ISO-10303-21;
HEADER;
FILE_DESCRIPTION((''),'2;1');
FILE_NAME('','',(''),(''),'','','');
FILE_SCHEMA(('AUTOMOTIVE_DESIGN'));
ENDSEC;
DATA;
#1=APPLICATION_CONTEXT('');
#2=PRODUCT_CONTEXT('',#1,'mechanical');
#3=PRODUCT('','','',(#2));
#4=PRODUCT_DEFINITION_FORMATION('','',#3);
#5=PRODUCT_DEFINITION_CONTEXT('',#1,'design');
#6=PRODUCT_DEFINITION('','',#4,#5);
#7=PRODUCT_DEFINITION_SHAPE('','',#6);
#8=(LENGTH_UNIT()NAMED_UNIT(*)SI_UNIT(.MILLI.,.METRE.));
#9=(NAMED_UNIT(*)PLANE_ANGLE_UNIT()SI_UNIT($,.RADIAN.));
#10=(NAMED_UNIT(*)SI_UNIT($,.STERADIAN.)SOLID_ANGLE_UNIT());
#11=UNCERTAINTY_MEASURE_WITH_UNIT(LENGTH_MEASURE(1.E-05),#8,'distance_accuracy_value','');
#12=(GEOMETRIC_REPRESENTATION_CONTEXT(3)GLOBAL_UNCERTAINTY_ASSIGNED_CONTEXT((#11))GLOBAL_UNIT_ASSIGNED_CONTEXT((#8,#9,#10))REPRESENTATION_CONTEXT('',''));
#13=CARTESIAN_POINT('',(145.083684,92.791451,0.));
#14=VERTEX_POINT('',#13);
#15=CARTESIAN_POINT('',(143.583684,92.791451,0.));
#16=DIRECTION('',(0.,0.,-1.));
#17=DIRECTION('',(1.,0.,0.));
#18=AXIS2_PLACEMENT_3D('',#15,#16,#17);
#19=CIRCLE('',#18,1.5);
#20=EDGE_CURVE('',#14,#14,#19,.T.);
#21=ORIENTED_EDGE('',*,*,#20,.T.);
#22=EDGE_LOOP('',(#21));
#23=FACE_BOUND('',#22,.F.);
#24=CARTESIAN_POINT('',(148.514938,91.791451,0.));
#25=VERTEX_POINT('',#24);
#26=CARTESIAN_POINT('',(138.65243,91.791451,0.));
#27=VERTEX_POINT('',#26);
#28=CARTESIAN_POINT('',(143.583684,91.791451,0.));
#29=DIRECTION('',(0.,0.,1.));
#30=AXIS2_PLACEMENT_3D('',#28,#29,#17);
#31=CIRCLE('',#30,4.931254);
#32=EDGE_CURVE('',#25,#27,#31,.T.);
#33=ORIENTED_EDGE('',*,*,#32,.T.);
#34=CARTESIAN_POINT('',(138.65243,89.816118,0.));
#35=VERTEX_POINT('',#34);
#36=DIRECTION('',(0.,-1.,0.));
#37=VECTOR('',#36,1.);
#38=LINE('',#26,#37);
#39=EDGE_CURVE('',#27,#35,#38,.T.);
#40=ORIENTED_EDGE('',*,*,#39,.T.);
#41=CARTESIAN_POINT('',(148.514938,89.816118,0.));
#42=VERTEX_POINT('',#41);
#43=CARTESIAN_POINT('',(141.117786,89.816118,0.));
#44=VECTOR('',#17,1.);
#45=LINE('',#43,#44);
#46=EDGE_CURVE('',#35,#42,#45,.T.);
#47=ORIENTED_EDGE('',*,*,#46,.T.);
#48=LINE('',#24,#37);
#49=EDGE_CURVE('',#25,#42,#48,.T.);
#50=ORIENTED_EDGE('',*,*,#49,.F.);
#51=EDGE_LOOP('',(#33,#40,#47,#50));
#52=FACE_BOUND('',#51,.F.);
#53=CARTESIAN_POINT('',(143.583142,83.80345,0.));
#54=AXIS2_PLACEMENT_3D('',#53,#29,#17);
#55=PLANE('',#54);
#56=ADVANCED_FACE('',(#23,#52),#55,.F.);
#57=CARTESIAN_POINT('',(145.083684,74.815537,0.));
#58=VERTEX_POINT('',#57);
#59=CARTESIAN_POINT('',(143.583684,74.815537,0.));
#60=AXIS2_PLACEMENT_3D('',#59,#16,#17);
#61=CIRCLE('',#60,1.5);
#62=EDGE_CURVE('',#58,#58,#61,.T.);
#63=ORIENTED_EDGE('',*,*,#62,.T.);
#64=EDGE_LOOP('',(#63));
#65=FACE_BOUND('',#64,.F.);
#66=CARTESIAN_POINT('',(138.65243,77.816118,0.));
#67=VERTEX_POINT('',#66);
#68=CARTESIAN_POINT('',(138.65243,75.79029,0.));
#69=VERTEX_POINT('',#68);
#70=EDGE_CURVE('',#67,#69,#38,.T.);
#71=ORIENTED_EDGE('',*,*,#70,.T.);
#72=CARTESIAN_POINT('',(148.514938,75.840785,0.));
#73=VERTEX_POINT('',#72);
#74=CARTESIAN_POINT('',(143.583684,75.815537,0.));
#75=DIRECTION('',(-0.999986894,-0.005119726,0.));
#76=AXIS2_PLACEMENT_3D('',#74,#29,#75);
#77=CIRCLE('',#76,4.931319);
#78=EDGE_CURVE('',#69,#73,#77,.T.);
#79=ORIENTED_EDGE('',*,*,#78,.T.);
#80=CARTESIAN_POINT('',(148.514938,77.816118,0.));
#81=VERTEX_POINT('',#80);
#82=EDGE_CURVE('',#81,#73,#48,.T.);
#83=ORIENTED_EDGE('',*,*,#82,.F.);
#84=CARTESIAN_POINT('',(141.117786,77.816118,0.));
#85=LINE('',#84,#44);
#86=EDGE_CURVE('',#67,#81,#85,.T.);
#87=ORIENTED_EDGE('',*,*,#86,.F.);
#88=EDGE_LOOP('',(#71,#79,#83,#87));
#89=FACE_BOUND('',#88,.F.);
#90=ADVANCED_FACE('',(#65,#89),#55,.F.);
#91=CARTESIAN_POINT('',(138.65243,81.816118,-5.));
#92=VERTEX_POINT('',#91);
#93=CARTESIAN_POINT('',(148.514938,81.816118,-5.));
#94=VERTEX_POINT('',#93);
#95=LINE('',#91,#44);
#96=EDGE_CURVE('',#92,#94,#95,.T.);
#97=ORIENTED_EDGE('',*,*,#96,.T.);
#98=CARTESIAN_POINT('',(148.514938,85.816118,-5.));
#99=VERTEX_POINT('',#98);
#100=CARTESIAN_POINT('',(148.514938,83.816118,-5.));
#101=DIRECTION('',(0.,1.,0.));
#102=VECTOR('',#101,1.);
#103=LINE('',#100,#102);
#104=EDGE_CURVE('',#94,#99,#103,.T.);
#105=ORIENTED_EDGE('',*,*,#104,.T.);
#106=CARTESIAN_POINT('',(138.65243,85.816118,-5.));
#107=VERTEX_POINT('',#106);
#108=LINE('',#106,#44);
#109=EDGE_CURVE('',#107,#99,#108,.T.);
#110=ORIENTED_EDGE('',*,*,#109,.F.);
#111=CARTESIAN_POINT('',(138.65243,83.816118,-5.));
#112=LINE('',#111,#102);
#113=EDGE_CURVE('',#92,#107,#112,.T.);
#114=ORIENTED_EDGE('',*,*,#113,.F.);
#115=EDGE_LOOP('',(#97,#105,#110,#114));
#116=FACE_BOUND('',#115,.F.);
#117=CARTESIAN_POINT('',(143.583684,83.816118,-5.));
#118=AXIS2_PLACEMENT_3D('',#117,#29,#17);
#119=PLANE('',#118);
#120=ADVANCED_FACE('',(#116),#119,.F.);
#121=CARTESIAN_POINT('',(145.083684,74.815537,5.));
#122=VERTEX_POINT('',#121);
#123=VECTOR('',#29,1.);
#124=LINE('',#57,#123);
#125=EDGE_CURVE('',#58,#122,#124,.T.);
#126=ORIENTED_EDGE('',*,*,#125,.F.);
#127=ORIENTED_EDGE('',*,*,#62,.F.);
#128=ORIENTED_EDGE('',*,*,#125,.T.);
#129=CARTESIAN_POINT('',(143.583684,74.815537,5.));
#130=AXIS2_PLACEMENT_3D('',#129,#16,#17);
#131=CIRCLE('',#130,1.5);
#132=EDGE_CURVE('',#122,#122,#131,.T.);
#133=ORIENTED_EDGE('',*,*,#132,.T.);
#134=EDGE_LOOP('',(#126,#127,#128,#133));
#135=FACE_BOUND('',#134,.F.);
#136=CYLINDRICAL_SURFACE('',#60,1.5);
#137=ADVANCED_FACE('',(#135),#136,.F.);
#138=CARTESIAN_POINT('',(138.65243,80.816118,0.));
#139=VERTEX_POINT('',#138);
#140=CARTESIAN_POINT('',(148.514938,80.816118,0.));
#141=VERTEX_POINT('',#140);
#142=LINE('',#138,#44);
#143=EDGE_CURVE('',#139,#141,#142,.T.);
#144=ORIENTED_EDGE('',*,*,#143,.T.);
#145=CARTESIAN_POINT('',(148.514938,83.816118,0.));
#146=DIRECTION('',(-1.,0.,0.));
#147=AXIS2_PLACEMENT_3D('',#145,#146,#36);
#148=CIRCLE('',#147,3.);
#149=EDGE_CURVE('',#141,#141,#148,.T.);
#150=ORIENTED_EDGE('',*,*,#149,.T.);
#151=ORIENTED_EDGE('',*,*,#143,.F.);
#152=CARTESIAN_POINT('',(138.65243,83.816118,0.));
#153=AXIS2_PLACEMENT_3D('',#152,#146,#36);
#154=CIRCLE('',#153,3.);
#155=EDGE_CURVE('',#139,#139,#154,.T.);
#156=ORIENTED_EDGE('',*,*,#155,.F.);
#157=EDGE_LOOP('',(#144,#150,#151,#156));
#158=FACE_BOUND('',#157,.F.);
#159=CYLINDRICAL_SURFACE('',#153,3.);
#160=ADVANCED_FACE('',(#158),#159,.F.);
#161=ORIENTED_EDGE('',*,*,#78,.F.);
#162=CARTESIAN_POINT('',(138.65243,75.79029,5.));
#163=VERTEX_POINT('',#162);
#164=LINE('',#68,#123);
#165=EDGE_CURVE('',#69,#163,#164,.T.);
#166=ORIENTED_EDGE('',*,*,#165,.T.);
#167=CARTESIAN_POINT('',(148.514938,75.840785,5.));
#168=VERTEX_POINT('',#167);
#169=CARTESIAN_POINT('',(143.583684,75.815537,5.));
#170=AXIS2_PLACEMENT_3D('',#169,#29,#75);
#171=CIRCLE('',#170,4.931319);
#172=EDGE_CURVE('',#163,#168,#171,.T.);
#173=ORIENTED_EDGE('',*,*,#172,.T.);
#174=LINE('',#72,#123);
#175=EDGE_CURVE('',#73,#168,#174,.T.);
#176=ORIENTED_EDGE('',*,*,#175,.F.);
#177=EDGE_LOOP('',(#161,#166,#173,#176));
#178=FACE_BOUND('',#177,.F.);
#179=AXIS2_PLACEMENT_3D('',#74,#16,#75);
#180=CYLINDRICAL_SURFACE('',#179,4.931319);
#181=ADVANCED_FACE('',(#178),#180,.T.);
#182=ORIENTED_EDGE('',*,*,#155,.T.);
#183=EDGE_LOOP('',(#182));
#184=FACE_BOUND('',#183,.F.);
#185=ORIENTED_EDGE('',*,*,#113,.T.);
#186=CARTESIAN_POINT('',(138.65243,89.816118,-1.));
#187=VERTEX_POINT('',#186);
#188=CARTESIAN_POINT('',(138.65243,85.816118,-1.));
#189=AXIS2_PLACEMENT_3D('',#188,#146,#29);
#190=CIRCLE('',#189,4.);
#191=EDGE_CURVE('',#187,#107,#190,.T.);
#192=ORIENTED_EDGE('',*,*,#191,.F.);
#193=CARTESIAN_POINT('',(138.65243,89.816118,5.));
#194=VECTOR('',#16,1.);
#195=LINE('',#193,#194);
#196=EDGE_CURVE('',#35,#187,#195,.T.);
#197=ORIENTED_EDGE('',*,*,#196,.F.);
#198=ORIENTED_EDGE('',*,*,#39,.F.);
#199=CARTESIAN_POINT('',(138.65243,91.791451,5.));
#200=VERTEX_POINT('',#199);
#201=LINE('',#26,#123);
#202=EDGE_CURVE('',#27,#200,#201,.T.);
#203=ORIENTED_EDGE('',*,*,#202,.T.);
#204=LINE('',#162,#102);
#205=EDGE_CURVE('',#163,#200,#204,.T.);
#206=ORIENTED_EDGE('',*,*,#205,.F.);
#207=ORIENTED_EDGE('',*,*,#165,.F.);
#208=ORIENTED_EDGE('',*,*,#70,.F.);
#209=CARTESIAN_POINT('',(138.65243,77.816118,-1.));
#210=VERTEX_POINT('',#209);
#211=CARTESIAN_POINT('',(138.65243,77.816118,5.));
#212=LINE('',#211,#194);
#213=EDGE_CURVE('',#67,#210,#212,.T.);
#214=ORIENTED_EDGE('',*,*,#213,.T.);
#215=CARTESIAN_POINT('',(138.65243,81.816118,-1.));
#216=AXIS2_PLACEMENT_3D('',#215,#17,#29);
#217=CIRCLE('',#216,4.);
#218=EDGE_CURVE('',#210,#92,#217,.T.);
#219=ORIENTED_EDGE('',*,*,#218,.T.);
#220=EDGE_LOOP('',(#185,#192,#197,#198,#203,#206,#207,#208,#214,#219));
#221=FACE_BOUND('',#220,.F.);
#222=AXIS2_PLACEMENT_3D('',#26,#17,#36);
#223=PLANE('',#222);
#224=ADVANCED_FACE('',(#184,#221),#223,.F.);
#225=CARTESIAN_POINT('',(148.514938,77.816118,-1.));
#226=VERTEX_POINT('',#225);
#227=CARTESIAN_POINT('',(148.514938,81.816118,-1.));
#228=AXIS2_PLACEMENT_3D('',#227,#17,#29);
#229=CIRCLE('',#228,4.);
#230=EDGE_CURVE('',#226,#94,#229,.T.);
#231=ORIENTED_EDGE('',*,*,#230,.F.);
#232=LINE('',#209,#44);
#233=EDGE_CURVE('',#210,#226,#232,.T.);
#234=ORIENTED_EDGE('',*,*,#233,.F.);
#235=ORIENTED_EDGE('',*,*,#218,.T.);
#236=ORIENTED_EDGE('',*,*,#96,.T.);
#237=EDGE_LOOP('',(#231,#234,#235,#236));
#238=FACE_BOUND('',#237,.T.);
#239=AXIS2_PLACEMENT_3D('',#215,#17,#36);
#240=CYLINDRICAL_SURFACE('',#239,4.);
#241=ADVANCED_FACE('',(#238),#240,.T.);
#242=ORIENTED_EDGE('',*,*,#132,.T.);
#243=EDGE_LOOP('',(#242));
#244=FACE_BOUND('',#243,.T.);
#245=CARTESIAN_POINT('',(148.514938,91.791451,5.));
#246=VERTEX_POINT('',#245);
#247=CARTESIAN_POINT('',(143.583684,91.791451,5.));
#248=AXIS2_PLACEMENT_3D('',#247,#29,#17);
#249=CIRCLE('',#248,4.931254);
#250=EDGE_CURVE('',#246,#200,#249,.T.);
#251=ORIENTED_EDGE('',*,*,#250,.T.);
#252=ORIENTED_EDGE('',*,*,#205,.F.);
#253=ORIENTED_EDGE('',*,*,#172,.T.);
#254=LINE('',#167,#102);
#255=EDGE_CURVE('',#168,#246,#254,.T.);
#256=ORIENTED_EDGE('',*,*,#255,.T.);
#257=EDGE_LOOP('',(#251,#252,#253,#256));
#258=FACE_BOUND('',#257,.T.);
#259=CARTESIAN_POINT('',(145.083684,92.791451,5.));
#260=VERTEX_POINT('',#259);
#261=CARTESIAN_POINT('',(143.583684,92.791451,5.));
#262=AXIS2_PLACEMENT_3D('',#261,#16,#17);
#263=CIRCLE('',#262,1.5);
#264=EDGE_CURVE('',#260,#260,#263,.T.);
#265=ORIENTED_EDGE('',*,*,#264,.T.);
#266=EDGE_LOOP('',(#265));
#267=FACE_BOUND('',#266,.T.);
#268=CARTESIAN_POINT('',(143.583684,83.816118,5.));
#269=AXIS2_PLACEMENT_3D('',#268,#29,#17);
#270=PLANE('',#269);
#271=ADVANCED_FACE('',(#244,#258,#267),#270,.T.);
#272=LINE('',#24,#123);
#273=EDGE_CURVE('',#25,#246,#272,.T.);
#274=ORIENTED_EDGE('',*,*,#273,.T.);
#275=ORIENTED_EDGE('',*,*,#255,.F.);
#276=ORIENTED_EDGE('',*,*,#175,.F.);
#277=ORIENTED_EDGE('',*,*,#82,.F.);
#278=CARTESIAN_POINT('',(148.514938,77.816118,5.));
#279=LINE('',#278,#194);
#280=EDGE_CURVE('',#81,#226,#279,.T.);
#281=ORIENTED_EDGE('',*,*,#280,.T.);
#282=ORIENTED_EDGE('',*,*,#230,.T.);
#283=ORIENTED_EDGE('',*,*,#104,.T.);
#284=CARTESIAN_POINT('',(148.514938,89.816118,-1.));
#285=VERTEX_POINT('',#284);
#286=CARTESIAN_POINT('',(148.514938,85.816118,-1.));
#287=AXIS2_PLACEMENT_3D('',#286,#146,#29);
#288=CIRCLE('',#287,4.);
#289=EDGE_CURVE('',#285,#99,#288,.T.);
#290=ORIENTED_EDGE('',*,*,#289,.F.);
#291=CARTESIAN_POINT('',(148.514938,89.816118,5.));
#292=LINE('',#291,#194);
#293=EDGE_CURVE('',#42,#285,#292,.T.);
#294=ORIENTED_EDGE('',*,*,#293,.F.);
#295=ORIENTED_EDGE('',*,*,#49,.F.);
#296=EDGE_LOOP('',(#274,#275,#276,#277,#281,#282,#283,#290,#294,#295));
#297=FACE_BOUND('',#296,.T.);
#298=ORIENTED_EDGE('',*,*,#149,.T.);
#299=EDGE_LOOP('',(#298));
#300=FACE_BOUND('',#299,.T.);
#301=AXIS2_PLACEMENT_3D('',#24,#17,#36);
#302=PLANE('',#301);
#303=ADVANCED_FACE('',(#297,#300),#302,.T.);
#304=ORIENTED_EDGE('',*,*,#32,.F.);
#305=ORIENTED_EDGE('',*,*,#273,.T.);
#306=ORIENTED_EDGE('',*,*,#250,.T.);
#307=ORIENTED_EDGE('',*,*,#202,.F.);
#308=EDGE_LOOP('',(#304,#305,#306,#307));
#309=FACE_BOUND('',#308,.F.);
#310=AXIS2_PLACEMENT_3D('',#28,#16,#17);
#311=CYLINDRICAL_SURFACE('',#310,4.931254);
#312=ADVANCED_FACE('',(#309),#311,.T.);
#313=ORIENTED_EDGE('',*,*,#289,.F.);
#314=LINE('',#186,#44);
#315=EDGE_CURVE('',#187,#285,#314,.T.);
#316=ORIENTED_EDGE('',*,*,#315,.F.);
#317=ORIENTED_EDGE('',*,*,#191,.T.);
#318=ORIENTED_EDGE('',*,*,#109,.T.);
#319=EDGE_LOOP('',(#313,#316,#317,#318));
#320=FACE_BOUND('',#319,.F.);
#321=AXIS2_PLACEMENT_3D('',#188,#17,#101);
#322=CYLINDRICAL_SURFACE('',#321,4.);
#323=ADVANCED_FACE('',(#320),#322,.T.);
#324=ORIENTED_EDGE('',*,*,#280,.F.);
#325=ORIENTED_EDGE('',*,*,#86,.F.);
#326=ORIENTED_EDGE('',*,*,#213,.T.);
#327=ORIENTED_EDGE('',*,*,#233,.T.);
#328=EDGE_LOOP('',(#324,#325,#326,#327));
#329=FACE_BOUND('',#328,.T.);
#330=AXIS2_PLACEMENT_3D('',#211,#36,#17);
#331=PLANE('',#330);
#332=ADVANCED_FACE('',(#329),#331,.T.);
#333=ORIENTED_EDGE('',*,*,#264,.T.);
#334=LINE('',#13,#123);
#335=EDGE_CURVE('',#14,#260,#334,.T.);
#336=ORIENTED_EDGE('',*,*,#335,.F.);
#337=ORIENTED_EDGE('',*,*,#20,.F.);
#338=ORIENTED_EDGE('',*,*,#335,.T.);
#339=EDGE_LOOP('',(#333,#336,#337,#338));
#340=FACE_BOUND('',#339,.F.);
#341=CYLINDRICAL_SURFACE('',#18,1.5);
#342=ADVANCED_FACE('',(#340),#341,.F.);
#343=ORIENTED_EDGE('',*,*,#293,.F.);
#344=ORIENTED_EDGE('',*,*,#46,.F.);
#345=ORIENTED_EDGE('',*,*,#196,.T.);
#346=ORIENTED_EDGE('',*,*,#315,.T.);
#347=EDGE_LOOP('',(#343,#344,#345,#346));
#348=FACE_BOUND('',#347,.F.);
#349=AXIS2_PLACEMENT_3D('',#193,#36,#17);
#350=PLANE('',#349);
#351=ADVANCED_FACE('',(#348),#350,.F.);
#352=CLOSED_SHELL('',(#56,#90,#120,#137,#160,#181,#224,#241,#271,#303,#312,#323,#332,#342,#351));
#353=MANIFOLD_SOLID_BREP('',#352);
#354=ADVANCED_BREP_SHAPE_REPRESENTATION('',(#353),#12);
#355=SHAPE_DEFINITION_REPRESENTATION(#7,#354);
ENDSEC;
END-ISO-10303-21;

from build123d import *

# Parameters (mm, degrees)
PAD_DEPTH       = 5
SKETCH001_W     = 9.862508
SKETCH001_H     = 12
PAD001_DEPTH    = 10
SKETCH002_R     = 3
POCKET_DEPTH    = 9.863573
SKETCH003_R     = 1.5
POCKET001_DEPTH = 5
FILLET_R        = 4


with BuildPart() as part:
    # Sketch → Pad (new body)
    with BuildSketch(Plane.XY):
        with BuildLine():
            Line((138.65243, 91.791451), (138.65243, 75.79029))
            ThreePointArc((138.65243, 75.79029), (143.608931, 70.884283), (148.514938, 75.840785))
            Line((148.514938, 91.791451), (148.514938, 75.840785))
            ThreePointArc((148.514938, 91.791451), (143.583684, 96.722705), (138.65243, 91.791451))
        make_face()
    extrude(amount=PAD_DEPTH)

    # Sketch001 → Pad001 (join)
    with BuildSketch(Plane.XY.offset(5)):
        with Locations((143.583684, 83.816118)):
            Rectangle(SKETCH001_W, SKETCH001_H)
    extrude(amount=-PAD001_DEPTH)

    # Sketch002 (on Face9 of Pad001) → Pocket (cut, through all)
    with BuildSketch(Plane(origin=(138.65243, 0, 0), x_dir=(0, -1, 0), z_dir=(-1, 0, 0))):
        with Locations((-83.816118, 0)):
            Circle(SKETCH002_R)
    extrude(amount=-POCKET_DEPTH, mode=Mode.SUBTRACT)

    # Sketch003 (on Face10 of Pocket) → Pocket001 (cut)
    with BuildSketch(Plane(origin=(0, 0, 0), x_dir=(1, 0, 0), z_dir=(0, 0, -1))):
        with Locations((143.583684, -74.815537)):
            Circle(SKETCH003_R)
        with Locations((143.583684, -92.791451)):
            Circle(SKETCH003_R)
    extrude(amount=-POCKET001_DEPTH, mode=Mode.SUBTRACT)

    # Fillet
    fillet_edges = [part.edges().sort_by_distance(p)[0] for p in [
        (143.583684, 89.816118, -5),
        (143.583684, 77.816118, -5),
    ]]
    fillet(fillet_edges, radius=FILLET_R)


solid = part.part
